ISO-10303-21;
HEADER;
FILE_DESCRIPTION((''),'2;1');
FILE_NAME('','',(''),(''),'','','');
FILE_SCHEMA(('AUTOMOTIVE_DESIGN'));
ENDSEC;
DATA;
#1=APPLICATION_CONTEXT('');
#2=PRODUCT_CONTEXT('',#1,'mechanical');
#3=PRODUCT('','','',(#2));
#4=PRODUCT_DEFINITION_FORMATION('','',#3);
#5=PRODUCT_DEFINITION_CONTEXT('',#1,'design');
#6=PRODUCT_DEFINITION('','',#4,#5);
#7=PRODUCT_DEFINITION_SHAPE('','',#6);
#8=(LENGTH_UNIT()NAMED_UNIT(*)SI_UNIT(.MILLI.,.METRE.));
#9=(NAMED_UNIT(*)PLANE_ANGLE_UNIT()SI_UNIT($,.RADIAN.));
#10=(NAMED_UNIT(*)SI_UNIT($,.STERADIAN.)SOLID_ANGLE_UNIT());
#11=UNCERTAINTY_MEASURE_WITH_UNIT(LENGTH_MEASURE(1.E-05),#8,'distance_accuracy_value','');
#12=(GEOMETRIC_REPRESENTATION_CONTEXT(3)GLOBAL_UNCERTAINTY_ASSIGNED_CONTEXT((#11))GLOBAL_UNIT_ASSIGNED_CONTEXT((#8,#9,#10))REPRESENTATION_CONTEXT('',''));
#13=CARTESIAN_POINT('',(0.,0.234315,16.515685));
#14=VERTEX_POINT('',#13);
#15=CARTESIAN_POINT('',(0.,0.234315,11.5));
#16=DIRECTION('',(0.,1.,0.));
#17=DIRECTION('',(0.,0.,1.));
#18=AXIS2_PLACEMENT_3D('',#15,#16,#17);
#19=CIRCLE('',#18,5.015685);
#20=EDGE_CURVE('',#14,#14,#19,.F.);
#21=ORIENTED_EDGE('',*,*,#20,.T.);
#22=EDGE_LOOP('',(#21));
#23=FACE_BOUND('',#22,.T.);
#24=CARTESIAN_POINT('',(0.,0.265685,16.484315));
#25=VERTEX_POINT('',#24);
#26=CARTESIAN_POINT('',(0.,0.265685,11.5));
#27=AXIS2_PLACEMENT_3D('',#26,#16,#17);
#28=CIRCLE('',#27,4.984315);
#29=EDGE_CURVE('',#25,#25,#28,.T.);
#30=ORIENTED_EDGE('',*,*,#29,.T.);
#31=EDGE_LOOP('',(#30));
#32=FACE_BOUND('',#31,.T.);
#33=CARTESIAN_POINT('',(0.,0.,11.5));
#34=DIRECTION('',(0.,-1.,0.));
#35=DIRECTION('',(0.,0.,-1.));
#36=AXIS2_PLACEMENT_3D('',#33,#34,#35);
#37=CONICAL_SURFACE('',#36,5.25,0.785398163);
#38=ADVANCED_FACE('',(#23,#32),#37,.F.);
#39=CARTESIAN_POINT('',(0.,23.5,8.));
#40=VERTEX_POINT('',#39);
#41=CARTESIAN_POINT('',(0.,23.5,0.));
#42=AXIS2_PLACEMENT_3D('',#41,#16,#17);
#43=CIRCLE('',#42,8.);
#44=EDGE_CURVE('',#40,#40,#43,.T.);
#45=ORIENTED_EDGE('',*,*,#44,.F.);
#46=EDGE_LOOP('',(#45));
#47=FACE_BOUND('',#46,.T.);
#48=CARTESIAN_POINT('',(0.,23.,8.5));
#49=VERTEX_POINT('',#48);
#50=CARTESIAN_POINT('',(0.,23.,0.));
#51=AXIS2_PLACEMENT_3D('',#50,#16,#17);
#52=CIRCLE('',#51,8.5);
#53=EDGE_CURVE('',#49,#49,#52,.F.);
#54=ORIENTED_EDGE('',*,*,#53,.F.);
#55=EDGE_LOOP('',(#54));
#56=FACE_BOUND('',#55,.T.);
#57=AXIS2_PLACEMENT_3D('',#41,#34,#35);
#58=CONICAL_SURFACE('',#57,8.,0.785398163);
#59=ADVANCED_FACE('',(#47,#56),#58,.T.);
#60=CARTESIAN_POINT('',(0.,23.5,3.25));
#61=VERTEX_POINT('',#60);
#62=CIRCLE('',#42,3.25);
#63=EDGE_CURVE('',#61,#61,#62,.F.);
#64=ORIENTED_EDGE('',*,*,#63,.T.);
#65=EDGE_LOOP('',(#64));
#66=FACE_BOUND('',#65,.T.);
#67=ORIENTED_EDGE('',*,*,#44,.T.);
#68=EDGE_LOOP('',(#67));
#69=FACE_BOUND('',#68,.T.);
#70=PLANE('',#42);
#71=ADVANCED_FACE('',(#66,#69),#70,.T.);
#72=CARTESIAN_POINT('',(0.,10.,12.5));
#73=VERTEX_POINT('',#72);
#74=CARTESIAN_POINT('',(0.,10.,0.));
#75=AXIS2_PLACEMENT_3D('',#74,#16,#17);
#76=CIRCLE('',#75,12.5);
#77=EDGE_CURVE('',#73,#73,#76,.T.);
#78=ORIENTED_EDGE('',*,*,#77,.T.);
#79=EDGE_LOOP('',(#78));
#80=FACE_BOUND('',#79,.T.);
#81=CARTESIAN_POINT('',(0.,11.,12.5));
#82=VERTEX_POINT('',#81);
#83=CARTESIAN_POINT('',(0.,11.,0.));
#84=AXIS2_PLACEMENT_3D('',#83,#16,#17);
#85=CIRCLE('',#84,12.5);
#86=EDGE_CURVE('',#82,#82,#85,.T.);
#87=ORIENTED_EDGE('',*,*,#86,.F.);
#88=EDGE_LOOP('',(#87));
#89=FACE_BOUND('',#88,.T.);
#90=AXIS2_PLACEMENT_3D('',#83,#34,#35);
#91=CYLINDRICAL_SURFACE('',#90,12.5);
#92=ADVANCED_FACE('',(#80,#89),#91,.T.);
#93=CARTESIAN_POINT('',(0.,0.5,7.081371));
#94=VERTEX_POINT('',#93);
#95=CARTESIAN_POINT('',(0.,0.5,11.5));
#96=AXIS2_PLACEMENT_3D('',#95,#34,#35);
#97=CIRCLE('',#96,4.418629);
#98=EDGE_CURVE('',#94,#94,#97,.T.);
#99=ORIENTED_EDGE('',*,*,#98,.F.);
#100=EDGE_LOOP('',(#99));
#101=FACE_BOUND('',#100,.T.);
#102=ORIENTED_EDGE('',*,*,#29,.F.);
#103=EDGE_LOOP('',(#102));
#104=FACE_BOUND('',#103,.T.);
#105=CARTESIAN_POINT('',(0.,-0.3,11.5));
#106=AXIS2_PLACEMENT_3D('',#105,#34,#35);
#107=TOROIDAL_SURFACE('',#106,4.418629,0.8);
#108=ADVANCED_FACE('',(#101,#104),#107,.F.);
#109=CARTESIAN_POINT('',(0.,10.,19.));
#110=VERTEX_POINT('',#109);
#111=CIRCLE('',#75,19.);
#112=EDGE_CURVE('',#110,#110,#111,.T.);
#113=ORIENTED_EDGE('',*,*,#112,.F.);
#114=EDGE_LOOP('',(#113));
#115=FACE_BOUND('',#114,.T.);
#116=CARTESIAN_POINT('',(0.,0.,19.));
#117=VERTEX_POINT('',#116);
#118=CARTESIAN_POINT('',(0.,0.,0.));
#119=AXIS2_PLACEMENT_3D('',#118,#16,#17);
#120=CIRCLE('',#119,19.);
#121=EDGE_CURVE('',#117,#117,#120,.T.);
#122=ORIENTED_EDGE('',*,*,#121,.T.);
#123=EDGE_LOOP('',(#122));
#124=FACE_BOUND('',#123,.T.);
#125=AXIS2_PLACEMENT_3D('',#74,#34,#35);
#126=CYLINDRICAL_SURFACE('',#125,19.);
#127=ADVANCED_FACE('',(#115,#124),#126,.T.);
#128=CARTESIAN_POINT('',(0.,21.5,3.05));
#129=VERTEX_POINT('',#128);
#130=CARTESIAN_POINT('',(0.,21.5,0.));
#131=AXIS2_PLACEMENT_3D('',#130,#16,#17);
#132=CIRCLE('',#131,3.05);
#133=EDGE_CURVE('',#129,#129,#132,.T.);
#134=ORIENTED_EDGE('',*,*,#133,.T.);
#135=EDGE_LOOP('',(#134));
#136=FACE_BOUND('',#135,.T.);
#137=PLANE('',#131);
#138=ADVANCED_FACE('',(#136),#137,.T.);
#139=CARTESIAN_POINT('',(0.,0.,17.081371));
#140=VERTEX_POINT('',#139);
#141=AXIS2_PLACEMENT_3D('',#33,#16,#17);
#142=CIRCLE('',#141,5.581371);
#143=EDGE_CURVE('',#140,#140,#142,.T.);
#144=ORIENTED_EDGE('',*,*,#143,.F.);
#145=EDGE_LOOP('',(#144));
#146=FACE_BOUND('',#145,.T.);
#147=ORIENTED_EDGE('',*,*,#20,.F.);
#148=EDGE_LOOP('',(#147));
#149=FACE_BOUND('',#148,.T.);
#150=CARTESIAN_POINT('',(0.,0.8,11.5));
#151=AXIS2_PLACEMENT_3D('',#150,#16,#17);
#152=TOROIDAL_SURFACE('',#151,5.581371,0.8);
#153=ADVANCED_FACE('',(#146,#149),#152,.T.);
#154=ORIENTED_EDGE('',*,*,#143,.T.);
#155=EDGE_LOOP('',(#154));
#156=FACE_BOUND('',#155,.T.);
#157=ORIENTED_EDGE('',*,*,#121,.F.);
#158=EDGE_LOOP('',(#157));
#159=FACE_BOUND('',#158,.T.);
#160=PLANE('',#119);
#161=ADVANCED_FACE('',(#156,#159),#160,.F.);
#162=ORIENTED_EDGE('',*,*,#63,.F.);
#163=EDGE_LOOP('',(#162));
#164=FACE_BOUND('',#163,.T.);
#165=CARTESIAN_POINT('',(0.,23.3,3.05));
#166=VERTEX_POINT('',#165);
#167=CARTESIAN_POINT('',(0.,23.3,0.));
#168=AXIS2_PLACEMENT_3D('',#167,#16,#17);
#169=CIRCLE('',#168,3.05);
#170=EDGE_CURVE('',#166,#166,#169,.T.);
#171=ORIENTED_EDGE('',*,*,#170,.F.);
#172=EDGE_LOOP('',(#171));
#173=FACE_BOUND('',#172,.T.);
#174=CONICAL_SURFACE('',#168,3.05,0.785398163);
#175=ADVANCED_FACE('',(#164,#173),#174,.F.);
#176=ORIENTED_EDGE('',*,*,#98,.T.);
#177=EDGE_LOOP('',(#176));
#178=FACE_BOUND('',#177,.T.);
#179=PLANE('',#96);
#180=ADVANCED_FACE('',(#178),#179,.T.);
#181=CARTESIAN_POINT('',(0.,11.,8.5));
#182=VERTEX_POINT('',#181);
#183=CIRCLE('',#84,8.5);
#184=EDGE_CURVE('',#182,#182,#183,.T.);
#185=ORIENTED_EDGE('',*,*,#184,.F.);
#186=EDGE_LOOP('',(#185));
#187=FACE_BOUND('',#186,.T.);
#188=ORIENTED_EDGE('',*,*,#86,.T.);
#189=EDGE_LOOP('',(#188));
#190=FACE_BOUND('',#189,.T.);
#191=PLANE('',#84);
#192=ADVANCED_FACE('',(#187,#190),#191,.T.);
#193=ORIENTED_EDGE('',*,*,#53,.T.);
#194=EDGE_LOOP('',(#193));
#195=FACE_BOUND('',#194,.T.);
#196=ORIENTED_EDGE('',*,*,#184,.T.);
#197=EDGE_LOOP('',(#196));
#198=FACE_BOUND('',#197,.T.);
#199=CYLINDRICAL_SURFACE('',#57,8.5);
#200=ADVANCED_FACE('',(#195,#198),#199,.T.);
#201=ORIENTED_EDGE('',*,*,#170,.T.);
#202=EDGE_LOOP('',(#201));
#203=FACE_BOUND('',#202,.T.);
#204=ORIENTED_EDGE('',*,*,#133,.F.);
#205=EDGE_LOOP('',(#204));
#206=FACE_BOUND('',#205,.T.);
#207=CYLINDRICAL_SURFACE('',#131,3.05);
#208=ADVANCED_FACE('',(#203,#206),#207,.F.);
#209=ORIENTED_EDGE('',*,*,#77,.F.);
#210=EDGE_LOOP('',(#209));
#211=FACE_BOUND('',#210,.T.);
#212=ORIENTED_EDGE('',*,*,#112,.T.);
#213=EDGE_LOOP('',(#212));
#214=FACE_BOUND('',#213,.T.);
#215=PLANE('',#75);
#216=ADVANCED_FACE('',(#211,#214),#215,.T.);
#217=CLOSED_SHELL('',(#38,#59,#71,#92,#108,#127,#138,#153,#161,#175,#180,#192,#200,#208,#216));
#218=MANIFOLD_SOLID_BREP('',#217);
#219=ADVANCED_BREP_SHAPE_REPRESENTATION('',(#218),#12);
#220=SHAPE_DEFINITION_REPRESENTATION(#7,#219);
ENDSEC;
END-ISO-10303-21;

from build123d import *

# Parameters (mm, degrees)
SKETCH_1_R          = 19
EXTRUDE_1_DEPTH     = 10
SKETCH_2_R          = 12.5
EXTRUDE_2_DEPTH     = 1
SKETCH_3_R          = 8.5
EXTRUDE_3_DEPTH     = 12.5
SKETCH_4_R          = 3.05
CUT_EXTRUDE_4_DEPTH = 2
SKETCH_7_R          = 5.25
CUT_EXTRUDE_3_DEPTH = 0.5
CUT_EXTRUDE_3_DRAFT = -45
FILLET_3_R          = 0.8
CHAMFER_1_SIZE      = 0.5
CHAMFER_2_SIZE      = 0.2


with BuildPart() as part:
    # Эскиз1 → Бобышка-Вытянуть1 (new body)
    with BuildSketch(Plane(origin=(0, 0, 0), x_dir=(1, 0, 0), z_dir=(0, 1, 0))):
        with Locations(Location((0, 0, 0), (0, 0, 270))):
            Circle(SKETCH_1_R)
    extrude(amount=EXTRUDE_1_DEPTH)

    # Эскиз2 → Бобышка-Вытянуть2 (add)
    with BuildSketch(Plane(origin=(0, 10, 0), x_dir=(1, 0, 0), z_dir=(0, 1, 0))):
        with Locations(Location((0, 0, 0), (0, 0, 270))):
            Circle(SKETCH_2_R)
    extrude(amount=EXTRUDE_2_DEPTH)

    # Эскиз3 → Бобышка-Вытянуть3 (add)
    with BuildSketch(Plane(origin=(0, 11, 0), x_dir=(1, 0, 0), z_dir=(0, 1, 0))):
        with Locations(Location((0, 0, 0), (0, 0, 270))):
            Circle(SKETCH_3_R)
    extrude(amount=EXTRUDE_3_DEPTH)

    # Эскиз4 → Вырез-Вытянуть4 (cut)
    with BuildSketch(Plane(origin=(0, 23.5, 0), x_dir=(1, 0, 0), z_dir=(0, 1, 0))):
        with Locations(Location((0, 0, 0), (0, 0, 270))):
            Circle(SKETCH_4_R)
    extrude(amount=-CUT_EXTRUDE_4_DEPTH, mode=Mode.SUBTRACT)


with BuildPart() as cut_extrude_3_tool:
    # Эскиз7 → Вырез-Вытянуть3 (with draft: the straight prism first)
    with BuildSketch(Plane.XZ):
        with Locations((0, 11.5)):
            Circle(SKETCH_7_R)
    extrude(amount=-CUT_EXTRUDE_3_DEPTH)
    # Вырез-Вытянуть3: the draft: its side faces are tilted about the plane it starts from
    cut_extrude_3_sides = [cut_extrude_3_tool.faces().sort_by_distance(p)[0] for p in [
        (-5.25, 0.25, 11.5),
    ]]
    draft(cut_extrude_3_sides, Plane.XZ, CUT_EXTRUDE_3_DRAFT)


with BuildPart() as part_1:
    add(part.part)

    # Вырез-Вытянуть3: cut by cut_extrude_3_tool
    add(cut_extrude_3_tool.part, mode=Mode.SUBTRACT)

    # Скругление3
    fillet_3_edges = [part_1.edges().sort_by_distance(p)[0] for p in [
        (-4.75, 0.5, 11.5),
        (-5.25, 0, 11.5),
    ]]
    fillet(fillet_3_edges, radius=FILLET_3_R)

    # Фаска1
    chamfer_1_edges = [part_1.edges().sort_by_distance(p)[0] for p in [
        (0, 23.5, -8.5),
    ]]
    chamfer(chamfer_1_edges, length=CHAMFER_1_SIZE)

    # Фаска2
    chamfer_2_edges = [part_1.edges().sort_by_distance(p)[0] for p in [
        (0, 23.5, -3.05),
    ]]
    chamfer(chamfer_2_edges, length=CHAMFER_2_SIZE)


solid = part_1.part
